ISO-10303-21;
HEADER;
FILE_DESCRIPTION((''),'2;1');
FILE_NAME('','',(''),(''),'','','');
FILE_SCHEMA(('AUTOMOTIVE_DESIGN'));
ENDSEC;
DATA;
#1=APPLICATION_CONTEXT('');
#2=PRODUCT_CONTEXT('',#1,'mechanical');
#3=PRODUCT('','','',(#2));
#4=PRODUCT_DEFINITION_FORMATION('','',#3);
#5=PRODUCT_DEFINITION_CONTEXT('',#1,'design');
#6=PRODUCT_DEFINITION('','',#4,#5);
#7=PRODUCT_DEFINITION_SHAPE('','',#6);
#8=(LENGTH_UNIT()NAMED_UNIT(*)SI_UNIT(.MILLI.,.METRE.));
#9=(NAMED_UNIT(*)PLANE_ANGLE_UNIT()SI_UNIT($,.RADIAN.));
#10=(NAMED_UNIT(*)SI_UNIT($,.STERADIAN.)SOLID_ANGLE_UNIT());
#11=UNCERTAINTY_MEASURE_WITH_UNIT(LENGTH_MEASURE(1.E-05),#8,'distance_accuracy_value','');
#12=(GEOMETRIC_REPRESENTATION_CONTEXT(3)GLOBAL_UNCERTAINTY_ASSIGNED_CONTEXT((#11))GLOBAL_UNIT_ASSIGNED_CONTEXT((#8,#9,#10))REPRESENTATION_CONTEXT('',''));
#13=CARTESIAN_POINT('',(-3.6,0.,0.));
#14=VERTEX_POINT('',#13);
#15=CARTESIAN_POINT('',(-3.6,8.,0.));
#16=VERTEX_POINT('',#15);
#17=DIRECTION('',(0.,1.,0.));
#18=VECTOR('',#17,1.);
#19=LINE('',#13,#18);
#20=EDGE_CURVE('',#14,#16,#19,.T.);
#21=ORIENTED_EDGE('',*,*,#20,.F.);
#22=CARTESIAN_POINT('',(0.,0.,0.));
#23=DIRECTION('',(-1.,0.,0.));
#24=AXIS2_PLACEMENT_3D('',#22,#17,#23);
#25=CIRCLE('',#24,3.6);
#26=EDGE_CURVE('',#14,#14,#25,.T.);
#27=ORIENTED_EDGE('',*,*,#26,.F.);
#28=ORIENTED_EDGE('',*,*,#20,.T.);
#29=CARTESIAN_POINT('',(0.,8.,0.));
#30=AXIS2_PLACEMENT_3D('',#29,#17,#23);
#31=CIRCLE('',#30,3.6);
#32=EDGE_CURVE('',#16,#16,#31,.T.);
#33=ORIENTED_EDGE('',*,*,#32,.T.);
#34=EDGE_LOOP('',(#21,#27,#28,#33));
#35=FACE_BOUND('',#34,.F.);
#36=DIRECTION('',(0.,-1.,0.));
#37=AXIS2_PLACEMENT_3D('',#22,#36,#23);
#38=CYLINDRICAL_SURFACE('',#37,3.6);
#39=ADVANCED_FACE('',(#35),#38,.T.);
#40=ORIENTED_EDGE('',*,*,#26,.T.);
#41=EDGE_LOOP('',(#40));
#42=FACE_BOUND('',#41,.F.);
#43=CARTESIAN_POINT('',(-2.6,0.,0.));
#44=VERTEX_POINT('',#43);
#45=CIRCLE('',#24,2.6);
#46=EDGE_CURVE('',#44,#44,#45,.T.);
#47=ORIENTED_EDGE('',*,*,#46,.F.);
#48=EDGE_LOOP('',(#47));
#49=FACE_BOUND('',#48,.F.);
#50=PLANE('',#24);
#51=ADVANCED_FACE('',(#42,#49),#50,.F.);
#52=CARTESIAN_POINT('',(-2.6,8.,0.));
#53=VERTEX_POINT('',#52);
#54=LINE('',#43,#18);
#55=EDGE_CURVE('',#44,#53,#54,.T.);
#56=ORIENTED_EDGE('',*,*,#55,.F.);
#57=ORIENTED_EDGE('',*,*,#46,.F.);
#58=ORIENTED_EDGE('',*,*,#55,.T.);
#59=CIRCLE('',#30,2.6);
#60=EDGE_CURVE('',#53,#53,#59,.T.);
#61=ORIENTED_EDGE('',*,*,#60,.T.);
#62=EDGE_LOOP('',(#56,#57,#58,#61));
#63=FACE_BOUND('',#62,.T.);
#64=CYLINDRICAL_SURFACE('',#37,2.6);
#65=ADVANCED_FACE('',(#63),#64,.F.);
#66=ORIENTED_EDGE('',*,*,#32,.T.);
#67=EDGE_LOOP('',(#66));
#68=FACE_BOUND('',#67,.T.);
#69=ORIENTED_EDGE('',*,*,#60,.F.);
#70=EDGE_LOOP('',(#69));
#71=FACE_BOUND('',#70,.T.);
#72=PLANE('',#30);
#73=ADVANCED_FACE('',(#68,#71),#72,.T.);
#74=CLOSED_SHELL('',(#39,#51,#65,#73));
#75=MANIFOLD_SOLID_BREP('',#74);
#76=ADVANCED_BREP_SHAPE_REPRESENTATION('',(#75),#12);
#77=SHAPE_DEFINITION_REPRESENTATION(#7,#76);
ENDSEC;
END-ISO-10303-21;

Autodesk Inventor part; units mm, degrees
ref_plane "YZ Plane" through (0, 0, 0) normal (1, 0, 0) x (0, 1, 0)
ref_plane "XZ Plane" through (0, 0, 0) normal (0, 1, 0) x (-1, 0, 0)
ref_plane "XY Plane" through (0, 0, 0) normal (0, 0, 1) x (1, 0, 0)
sketch "Boceto2" plane through (0, 0, 0) normal (0, 1, 0) x (-1, 0, 0)
  circle A0 centre (0, 0) radius 2.6
  circle A1 centre (0, 0) radius 3.6
  dimension "d2" = 5.2
  dimension "d3" = 7.2
extrude "Extrusión1" add sketch "Boceto2" along normal blind 8
properties part number "Buje paraVslot" material "Plastico PETG"
